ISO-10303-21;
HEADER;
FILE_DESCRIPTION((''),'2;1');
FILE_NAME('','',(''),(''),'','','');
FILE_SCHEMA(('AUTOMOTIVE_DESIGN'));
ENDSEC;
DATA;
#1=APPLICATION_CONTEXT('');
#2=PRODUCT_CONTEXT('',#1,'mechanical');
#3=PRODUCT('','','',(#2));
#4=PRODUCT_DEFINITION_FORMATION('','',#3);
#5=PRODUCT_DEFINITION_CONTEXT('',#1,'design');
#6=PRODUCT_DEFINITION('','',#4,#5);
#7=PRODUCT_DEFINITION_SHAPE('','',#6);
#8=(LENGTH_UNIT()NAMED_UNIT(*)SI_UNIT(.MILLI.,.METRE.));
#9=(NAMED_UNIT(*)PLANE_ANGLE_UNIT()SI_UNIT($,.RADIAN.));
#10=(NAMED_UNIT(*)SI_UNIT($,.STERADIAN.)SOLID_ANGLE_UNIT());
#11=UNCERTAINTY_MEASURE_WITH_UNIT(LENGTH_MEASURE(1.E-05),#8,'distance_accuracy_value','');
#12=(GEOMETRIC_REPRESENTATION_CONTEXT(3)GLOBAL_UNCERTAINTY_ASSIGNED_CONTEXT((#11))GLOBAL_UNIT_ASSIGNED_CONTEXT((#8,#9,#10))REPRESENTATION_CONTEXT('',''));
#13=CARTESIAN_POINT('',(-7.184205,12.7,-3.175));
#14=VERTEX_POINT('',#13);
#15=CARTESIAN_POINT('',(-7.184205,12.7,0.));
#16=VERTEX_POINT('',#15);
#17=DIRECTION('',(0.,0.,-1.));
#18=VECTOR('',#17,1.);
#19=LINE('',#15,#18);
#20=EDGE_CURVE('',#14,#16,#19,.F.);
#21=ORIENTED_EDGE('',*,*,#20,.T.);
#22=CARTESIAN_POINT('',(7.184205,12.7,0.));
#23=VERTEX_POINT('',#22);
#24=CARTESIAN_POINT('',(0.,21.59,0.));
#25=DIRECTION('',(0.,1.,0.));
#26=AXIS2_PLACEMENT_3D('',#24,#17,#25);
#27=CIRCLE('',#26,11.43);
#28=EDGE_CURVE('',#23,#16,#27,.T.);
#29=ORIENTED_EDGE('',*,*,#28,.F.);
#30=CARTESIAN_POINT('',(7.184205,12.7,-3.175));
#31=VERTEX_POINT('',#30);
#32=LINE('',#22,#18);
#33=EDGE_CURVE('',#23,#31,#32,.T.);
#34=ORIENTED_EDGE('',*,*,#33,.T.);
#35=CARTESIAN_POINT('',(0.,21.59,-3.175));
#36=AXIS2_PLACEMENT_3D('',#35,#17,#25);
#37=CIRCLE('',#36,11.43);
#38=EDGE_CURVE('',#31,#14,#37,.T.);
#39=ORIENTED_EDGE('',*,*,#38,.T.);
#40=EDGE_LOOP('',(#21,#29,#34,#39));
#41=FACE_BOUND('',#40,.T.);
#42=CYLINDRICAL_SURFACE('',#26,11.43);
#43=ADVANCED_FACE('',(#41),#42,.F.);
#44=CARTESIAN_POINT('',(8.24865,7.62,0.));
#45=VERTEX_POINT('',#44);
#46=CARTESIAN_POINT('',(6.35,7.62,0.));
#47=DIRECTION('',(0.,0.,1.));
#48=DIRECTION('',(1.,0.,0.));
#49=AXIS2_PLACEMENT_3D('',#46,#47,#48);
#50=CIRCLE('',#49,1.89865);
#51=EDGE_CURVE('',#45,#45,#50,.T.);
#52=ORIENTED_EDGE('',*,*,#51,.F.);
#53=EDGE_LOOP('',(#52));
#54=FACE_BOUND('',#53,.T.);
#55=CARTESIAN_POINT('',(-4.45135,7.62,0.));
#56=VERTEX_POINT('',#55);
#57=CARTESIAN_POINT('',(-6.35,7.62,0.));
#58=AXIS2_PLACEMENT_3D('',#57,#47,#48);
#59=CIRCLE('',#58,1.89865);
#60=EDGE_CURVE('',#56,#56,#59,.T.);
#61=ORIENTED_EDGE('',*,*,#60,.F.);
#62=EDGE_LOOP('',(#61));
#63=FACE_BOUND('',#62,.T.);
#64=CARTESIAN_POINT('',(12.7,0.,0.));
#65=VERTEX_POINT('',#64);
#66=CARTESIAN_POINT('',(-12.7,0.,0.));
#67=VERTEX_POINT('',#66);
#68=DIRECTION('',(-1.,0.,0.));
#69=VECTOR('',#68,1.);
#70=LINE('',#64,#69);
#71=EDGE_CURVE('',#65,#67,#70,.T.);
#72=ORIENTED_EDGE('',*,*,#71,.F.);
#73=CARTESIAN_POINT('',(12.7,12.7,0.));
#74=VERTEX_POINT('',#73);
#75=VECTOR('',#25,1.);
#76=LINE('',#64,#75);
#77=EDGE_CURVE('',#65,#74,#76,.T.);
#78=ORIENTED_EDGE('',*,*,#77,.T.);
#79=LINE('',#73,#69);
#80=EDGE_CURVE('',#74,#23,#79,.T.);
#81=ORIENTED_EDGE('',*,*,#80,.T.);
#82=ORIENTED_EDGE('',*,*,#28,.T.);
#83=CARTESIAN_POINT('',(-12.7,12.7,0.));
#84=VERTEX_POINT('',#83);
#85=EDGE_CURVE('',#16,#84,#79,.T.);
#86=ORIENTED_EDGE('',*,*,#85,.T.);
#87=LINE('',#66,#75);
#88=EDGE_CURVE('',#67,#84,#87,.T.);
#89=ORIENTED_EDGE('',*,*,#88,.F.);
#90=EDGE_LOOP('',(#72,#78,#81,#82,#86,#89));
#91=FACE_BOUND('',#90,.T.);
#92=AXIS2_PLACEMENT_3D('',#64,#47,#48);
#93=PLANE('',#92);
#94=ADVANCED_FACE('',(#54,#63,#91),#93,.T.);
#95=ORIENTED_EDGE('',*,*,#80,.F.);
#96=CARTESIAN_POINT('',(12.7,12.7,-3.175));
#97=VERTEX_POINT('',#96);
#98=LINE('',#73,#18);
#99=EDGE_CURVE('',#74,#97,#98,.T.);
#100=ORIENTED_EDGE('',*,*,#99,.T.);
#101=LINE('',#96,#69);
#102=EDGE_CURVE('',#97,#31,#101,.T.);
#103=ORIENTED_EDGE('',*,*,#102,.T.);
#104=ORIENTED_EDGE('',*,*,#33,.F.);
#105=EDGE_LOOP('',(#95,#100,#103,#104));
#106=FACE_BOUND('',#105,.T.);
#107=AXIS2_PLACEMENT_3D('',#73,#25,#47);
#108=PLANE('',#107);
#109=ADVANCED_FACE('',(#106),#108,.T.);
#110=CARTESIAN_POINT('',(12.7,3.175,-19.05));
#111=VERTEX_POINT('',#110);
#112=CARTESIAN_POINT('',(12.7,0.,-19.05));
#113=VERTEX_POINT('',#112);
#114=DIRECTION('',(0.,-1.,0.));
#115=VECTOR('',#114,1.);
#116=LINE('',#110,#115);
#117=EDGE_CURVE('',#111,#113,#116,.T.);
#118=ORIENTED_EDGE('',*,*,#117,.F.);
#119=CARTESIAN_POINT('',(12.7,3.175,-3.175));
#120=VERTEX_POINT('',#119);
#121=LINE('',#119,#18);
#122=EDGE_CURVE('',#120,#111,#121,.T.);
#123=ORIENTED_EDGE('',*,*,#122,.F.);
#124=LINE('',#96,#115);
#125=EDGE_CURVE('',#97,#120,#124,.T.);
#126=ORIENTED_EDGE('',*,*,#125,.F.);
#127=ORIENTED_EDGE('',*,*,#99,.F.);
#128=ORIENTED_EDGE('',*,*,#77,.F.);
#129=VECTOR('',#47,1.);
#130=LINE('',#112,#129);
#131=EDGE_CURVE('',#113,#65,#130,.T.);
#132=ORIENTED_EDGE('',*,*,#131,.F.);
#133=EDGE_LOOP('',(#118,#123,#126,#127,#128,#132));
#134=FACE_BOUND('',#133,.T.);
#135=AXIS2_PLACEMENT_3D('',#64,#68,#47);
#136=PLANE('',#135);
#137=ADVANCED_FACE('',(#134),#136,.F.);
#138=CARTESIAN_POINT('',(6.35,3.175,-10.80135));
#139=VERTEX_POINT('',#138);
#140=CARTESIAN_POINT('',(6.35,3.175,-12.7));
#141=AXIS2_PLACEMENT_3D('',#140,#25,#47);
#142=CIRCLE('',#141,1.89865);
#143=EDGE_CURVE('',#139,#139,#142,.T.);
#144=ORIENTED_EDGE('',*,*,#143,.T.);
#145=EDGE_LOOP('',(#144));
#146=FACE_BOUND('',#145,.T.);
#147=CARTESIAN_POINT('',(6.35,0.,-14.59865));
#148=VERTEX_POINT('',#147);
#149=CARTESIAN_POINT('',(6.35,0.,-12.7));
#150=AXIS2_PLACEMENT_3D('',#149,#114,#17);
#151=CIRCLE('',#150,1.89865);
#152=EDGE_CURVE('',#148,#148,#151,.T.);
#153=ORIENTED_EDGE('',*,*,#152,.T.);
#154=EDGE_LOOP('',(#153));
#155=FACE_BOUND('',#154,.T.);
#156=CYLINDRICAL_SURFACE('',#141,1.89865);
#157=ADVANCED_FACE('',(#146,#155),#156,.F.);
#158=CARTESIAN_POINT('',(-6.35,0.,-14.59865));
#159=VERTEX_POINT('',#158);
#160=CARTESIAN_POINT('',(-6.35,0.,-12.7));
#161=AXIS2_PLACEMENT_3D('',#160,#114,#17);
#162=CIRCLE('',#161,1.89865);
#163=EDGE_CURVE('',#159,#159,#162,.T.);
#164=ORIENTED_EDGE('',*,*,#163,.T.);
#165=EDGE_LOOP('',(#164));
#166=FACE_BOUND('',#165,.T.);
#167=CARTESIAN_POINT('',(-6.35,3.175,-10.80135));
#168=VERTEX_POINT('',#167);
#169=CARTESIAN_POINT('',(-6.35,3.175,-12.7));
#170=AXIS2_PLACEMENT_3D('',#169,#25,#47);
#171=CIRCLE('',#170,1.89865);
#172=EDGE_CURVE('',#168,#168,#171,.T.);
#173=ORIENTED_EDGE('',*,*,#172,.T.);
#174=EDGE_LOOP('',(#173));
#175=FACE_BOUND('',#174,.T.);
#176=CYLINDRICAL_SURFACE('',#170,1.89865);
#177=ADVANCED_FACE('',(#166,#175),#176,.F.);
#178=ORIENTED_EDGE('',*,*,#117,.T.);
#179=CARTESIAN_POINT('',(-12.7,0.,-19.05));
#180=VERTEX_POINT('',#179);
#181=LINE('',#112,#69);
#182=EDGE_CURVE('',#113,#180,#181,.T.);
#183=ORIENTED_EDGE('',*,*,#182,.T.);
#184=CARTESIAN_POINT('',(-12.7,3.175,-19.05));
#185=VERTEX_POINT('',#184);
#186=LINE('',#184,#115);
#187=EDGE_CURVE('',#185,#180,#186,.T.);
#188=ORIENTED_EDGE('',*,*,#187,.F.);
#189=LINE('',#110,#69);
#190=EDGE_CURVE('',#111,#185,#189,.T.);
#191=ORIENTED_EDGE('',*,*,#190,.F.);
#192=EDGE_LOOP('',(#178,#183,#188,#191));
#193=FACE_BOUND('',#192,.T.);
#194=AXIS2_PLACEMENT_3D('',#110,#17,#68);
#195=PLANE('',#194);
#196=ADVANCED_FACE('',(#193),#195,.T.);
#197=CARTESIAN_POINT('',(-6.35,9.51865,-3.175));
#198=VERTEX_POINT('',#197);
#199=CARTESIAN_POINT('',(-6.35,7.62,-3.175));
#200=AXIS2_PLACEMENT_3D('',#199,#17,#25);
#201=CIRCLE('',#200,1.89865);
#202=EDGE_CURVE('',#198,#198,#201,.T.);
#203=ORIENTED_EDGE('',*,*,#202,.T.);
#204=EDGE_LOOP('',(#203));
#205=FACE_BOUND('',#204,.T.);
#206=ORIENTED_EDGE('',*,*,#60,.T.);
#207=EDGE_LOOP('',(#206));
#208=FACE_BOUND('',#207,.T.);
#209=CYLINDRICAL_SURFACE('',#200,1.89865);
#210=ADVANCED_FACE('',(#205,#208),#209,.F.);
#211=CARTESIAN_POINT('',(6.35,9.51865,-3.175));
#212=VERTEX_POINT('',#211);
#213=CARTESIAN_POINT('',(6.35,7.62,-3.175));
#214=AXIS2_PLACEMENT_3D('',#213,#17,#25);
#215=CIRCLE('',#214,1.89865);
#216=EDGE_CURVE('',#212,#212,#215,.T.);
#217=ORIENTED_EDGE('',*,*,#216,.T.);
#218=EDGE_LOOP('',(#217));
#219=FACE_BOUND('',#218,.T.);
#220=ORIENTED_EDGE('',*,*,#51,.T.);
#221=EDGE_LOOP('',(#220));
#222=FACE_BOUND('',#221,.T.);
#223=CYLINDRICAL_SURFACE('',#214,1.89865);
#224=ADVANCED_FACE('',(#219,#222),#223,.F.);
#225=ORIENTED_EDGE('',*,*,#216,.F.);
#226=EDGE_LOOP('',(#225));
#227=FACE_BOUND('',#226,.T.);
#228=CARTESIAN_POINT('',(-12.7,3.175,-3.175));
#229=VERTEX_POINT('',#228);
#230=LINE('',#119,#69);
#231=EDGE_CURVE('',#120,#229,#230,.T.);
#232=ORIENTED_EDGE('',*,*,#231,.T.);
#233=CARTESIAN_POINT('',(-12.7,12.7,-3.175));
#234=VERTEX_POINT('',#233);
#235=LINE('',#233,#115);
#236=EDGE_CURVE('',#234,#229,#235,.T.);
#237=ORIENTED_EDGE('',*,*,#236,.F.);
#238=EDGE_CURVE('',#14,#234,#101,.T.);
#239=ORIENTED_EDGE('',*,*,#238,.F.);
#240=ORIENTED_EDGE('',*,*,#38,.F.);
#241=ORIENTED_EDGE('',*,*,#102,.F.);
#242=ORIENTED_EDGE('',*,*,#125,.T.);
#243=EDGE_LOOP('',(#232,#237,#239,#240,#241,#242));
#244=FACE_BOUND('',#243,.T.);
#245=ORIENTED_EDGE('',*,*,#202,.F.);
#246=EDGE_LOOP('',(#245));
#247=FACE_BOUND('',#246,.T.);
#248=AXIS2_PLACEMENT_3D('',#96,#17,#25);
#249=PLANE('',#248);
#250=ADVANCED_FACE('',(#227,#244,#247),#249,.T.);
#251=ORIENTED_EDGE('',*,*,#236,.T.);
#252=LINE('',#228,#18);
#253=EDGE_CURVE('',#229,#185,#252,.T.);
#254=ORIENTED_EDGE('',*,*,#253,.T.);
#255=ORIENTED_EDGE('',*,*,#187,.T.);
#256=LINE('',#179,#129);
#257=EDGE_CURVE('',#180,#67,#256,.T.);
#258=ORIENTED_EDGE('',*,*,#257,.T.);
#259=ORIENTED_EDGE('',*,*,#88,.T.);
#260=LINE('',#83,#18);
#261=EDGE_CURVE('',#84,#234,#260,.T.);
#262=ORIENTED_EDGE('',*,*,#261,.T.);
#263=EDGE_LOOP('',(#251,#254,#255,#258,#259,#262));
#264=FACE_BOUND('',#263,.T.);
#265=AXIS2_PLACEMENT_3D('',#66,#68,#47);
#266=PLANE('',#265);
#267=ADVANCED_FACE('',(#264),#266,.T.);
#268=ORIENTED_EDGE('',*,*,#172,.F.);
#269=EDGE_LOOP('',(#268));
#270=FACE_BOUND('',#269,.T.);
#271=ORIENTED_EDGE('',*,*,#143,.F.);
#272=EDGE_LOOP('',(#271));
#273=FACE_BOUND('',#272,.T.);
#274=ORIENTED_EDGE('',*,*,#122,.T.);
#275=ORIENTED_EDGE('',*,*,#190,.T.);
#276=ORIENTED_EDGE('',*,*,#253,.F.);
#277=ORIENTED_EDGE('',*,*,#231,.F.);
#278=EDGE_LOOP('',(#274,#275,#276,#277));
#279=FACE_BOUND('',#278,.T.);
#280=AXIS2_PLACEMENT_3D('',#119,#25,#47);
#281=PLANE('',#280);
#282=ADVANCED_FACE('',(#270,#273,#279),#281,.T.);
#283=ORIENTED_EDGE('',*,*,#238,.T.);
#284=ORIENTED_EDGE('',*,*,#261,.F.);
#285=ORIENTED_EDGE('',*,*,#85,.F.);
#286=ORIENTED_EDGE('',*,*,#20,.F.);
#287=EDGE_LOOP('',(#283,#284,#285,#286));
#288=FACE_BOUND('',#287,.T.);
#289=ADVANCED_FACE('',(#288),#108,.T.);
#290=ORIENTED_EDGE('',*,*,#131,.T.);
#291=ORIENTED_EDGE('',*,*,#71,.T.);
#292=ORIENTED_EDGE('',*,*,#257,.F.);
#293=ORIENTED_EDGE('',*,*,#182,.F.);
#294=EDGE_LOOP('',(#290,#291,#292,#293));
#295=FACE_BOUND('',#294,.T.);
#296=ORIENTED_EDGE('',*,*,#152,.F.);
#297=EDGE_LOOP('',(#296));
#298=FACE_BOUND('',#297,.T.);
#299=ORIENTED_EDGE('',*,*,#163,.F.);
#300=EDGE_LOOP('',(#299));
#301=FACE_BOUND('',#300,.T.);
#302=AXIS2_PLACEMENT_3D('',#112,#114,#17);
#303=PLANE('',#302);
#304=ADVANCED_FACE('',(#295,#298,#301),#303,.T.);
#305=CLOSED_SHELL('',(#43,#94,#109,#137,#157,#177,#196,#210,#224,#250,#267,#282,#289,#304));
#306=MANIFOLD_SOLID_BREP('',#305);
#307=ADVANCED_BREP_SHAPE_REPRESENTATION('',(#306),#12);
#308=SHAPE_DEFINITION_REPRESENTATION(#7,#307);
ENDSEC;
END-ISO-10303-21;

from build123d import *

# Parameters (mm, degrees)
EXTRUDE1_DEPTH                      = 12.7
EXTRUDE1_DEPTH_BACK                 = 12.7
F_6_CLEARANCE_HOLE1_D               = 3.7973
F_6_CLEARANCE_HOLE1_DEPTH           = 12.7
F_6_CLEARANCE_HOLE1_TIP             = 1.140824014
F_6_CLEARANCE_HOLE1_ON_FACE_2_D     = 3.7973
F_6_CLEARANCE_HOLE1_ON_FACE_2_DEPTH = 12.7
F_6_CLEARANCE_HOLE1_ON_FACE_2_TIP   = 1.140824014
SKETCH4_R                           = 11.43
CUT_EXTRUDE1_DEPTH                  = 24.970724332


with BuildPart() as part:
    # Sketch2 → Extrude1 (new, two sides: drawn at the far end of the back side and taken through both)
    with BuildSketch(Plane(origin=(0, 0, 0), x_dir=(0, 0, -1), z_dir=(1, 0, 0)).offset(-EXTRUDE1_DEPTH_BACK)):
        Polygon((0, 0), (0, 12.7), (3.175, 12.7), (3.175, 3.175), (19.05, 3.175), (19.05, 0), align=None)
    extrude(amount=EXTRUDE1_DEPTH + EXTRUDE1_DEPTH_BACK)

    # #6 Clearance Hole1
    with Locations(Plane(origin=(6.35, 7.62, -3.175), x_dir=(0, -1, 0), z_dir=(0, 0, -1))):
        with Locations((0, 0), (0, 12.7)):
            Hole(F_6_CLEARANCE_HOLE1_D / 2, depth=F_6_CLEARANCE_HOLE1_DEPTH)
            with Locations((0, 0, -(F_6_CLEARANCE_HOLE1_DEPTH + F_6_CLEARANCE_HOLE1_TIP / 2))):  # 118° drill point
                Cone(0, F_6_CLEARANCE_HOLE1_D / 2, F_6_CLEARANCE_HOLE1_TIP, mode=Mode.SUBTRACT)

    # #6 Clearance Hole1 on face 2
    with Locations(Plane(origin=(6.35, 3.175, -12.7), x_dir=(0, 0, 1), z_dir=(0, 1, 0))):
        with Locations((0, 0), (0, -12.7)):
            Hole(F_6_CLEARANCE_HOLE1_ON_FACE_2_D / 2, depth=F_6_CLEARANCE_HOLE1_ON_FACE_2_DEPTH)
            with Locations((0, 0, -(F_6_CLEARANCE_HOLE1_ON_FACE_2_DEPTH + F_6_CLEARANCE_HOLE1_ON_FACE_2_TIP / 2))):  # 118° drill point
                Cone(0, F_6_CLEARANCE_HOLE1_ON_FACE_2_D / 2, F_6_CLEARANCE_HOLE1_ON_FACE_2_TIP, mode=Mode.SUBTRACT)

    # Sketch4 → Cut-Extrude1 (cut, through all)
    with BuildSketch(Plane(origin=(0, 0, -3.175), x_dir=(-1, 0, 0), z_dir=(0, 0, -1))):
        with Locations((0, 21.59)):
            Circle(SKETCH4_R)
    extrude(amount=-CUT_EXTRUDE1_DEPTH, mode=Mode.SUBTRACT)


solid = part.part
